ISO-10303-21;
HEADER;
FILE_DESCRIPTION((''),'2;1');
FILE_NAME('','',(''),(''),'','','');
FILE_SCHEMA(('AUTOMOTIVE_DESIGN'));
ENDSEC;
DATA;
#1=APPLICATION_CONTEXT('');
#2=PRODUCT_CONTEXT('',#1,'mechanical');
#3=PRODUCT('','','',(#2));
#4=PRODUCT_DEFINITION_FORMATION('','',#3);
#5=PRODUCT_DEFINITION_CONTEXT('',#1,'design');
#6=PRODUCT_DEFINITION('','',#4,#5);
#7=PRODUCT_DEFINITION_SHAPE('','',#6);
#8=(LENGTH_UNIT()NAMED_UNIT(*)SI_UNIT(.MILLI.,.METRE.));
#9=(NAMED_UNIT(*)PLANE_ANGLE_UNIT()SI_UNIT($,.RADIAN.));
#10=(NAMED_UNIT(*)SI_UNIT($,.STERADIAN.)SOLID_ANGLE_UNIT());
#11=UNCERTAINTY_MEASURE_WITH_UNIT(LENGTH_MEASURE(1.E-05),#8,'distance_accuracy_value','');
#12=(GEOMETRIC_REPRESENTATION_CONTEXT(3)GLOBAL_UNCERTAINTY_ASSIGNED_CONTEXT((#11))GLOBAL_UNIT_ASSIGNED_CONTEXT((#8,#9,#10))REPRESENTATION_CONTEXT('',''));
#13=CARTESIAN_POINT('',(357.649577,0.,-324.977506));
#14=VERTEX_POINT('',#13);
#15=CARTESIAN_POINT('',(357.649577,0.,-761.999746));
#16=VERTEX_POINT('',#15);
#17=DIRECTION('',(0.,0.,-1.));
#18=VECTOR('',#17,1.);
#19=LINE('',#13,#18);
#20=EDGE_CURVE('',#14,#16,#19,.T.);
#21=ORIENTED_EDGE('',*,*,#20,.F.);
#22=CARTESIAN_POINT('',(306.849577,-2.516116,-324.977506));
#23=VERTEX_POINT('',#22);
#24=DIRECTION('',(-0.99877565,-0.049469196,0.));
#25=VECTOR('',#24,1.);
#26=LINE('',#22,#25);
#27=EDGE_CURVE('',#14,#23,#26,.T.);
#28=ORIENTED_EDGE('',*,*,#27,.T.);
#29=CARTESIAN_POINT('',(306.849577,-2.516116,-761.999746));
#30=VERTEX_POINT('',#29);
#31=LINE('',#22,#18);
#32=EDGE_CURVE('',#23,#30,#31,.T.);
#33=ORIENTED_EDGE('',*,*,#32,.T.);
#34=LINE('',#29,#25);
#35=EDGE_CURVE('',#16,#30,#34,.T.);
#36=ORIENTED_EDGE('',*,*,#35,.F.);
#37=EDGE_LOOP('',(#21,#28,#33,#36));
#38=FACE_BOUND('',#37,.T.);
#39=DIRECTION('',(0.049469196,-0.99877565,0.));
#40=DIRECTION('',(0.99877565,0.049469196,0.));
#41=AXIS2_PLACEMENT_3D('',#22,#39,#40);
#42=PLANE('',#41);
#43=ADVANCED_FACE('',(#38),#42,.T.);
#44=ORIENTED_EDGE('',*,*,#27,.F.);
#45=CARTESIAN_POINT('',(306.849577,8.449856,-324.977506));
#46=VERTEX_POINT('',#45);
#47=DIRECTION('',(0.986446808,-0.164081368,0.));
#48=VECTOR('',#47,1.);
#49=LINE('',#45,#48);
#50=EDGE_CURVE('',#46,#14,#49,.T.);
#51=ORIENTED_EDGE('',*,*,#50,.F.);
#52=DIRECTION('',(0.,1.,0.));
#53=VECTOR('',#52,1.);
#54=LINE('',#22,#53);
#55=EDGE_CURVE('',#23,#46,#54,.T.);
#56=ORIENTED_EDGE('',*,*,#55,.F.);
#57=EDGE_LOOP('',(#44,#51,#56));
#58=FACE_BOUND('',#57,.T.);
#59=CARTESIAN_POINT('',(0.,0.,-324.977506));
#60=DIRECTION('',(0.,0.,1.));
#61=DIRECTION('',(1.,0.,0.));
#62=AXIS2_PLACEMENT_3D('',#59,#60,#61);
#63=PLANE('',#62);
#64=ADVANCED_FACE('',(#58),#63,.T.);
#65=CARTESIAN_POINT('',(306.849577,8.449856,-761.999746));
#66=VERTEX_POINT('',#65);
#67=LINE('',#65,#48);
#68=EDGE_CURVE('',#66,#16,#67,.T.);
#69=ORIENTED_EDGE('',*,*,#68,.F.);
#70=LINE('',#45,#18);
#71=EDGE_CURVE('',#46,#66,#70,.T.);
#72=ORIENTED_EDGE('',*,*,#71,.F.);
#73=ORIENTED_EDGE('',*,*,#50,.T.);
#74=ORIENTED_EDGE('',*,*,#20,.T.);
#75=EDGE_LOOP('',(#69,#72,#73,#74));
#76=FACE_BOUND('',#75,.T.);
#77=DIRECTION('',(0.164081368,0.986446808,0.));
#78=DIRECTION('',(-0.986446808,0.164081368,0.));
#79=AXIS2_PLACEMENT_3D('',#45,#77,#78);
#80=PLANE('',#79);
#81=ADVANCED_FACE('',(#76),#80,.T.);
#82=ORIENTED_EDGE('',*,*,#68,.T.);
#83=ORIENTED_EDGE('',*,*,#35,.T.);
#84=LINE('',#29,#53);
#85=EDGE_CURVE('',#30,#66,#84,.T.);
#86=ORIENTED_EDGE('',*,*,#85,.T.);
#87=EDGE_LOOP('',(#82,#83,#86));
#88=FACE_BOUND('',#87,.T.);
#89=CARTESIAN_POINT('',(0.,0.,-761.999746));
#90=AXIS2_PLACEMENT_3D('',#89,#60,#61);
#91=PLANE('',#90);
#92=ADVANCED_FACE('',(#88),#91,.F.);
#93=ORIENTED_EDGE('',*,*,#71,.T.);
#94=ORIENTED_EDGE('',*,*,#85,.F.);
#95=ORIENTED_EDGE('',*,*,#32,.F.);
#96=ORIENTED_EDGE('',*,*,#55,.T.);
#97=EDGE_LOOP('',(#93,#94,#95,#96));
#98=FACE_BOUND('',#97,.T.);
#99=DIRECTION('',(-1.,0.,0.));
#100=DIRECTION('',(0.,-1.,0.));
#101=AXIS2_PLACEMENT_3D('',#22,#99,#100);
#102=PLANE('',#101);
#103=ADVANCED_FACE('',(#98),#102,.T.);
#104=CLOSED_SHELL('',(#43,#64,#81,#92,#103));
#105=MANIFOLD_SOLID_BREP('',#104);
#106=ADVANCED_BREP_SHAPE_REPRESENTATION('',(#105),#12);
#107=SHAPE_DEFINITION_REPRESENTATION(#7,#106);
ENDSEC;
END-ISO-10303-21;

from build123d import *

# Parameters (mm, degrees)
BOSS_EXTRUDE2_DEPTH = 437.02224


with BuildPart() as part:
    # Sketch2 → Boss-Extrude2 (new body)
    with BuildSketch(Plane(origin=(0, 0, -761.999746), x_dir=(-1, 0, 0), z_dir=(0, 0, -1))):
        Polygon((-306.8495768, -2.516115741), (-306.8495768, 8.449856001), (-357.6495768, 0), align=None)
    extrude(amount=-BOSS_EXTRUDE2_DEPTH)


solid = part.part
